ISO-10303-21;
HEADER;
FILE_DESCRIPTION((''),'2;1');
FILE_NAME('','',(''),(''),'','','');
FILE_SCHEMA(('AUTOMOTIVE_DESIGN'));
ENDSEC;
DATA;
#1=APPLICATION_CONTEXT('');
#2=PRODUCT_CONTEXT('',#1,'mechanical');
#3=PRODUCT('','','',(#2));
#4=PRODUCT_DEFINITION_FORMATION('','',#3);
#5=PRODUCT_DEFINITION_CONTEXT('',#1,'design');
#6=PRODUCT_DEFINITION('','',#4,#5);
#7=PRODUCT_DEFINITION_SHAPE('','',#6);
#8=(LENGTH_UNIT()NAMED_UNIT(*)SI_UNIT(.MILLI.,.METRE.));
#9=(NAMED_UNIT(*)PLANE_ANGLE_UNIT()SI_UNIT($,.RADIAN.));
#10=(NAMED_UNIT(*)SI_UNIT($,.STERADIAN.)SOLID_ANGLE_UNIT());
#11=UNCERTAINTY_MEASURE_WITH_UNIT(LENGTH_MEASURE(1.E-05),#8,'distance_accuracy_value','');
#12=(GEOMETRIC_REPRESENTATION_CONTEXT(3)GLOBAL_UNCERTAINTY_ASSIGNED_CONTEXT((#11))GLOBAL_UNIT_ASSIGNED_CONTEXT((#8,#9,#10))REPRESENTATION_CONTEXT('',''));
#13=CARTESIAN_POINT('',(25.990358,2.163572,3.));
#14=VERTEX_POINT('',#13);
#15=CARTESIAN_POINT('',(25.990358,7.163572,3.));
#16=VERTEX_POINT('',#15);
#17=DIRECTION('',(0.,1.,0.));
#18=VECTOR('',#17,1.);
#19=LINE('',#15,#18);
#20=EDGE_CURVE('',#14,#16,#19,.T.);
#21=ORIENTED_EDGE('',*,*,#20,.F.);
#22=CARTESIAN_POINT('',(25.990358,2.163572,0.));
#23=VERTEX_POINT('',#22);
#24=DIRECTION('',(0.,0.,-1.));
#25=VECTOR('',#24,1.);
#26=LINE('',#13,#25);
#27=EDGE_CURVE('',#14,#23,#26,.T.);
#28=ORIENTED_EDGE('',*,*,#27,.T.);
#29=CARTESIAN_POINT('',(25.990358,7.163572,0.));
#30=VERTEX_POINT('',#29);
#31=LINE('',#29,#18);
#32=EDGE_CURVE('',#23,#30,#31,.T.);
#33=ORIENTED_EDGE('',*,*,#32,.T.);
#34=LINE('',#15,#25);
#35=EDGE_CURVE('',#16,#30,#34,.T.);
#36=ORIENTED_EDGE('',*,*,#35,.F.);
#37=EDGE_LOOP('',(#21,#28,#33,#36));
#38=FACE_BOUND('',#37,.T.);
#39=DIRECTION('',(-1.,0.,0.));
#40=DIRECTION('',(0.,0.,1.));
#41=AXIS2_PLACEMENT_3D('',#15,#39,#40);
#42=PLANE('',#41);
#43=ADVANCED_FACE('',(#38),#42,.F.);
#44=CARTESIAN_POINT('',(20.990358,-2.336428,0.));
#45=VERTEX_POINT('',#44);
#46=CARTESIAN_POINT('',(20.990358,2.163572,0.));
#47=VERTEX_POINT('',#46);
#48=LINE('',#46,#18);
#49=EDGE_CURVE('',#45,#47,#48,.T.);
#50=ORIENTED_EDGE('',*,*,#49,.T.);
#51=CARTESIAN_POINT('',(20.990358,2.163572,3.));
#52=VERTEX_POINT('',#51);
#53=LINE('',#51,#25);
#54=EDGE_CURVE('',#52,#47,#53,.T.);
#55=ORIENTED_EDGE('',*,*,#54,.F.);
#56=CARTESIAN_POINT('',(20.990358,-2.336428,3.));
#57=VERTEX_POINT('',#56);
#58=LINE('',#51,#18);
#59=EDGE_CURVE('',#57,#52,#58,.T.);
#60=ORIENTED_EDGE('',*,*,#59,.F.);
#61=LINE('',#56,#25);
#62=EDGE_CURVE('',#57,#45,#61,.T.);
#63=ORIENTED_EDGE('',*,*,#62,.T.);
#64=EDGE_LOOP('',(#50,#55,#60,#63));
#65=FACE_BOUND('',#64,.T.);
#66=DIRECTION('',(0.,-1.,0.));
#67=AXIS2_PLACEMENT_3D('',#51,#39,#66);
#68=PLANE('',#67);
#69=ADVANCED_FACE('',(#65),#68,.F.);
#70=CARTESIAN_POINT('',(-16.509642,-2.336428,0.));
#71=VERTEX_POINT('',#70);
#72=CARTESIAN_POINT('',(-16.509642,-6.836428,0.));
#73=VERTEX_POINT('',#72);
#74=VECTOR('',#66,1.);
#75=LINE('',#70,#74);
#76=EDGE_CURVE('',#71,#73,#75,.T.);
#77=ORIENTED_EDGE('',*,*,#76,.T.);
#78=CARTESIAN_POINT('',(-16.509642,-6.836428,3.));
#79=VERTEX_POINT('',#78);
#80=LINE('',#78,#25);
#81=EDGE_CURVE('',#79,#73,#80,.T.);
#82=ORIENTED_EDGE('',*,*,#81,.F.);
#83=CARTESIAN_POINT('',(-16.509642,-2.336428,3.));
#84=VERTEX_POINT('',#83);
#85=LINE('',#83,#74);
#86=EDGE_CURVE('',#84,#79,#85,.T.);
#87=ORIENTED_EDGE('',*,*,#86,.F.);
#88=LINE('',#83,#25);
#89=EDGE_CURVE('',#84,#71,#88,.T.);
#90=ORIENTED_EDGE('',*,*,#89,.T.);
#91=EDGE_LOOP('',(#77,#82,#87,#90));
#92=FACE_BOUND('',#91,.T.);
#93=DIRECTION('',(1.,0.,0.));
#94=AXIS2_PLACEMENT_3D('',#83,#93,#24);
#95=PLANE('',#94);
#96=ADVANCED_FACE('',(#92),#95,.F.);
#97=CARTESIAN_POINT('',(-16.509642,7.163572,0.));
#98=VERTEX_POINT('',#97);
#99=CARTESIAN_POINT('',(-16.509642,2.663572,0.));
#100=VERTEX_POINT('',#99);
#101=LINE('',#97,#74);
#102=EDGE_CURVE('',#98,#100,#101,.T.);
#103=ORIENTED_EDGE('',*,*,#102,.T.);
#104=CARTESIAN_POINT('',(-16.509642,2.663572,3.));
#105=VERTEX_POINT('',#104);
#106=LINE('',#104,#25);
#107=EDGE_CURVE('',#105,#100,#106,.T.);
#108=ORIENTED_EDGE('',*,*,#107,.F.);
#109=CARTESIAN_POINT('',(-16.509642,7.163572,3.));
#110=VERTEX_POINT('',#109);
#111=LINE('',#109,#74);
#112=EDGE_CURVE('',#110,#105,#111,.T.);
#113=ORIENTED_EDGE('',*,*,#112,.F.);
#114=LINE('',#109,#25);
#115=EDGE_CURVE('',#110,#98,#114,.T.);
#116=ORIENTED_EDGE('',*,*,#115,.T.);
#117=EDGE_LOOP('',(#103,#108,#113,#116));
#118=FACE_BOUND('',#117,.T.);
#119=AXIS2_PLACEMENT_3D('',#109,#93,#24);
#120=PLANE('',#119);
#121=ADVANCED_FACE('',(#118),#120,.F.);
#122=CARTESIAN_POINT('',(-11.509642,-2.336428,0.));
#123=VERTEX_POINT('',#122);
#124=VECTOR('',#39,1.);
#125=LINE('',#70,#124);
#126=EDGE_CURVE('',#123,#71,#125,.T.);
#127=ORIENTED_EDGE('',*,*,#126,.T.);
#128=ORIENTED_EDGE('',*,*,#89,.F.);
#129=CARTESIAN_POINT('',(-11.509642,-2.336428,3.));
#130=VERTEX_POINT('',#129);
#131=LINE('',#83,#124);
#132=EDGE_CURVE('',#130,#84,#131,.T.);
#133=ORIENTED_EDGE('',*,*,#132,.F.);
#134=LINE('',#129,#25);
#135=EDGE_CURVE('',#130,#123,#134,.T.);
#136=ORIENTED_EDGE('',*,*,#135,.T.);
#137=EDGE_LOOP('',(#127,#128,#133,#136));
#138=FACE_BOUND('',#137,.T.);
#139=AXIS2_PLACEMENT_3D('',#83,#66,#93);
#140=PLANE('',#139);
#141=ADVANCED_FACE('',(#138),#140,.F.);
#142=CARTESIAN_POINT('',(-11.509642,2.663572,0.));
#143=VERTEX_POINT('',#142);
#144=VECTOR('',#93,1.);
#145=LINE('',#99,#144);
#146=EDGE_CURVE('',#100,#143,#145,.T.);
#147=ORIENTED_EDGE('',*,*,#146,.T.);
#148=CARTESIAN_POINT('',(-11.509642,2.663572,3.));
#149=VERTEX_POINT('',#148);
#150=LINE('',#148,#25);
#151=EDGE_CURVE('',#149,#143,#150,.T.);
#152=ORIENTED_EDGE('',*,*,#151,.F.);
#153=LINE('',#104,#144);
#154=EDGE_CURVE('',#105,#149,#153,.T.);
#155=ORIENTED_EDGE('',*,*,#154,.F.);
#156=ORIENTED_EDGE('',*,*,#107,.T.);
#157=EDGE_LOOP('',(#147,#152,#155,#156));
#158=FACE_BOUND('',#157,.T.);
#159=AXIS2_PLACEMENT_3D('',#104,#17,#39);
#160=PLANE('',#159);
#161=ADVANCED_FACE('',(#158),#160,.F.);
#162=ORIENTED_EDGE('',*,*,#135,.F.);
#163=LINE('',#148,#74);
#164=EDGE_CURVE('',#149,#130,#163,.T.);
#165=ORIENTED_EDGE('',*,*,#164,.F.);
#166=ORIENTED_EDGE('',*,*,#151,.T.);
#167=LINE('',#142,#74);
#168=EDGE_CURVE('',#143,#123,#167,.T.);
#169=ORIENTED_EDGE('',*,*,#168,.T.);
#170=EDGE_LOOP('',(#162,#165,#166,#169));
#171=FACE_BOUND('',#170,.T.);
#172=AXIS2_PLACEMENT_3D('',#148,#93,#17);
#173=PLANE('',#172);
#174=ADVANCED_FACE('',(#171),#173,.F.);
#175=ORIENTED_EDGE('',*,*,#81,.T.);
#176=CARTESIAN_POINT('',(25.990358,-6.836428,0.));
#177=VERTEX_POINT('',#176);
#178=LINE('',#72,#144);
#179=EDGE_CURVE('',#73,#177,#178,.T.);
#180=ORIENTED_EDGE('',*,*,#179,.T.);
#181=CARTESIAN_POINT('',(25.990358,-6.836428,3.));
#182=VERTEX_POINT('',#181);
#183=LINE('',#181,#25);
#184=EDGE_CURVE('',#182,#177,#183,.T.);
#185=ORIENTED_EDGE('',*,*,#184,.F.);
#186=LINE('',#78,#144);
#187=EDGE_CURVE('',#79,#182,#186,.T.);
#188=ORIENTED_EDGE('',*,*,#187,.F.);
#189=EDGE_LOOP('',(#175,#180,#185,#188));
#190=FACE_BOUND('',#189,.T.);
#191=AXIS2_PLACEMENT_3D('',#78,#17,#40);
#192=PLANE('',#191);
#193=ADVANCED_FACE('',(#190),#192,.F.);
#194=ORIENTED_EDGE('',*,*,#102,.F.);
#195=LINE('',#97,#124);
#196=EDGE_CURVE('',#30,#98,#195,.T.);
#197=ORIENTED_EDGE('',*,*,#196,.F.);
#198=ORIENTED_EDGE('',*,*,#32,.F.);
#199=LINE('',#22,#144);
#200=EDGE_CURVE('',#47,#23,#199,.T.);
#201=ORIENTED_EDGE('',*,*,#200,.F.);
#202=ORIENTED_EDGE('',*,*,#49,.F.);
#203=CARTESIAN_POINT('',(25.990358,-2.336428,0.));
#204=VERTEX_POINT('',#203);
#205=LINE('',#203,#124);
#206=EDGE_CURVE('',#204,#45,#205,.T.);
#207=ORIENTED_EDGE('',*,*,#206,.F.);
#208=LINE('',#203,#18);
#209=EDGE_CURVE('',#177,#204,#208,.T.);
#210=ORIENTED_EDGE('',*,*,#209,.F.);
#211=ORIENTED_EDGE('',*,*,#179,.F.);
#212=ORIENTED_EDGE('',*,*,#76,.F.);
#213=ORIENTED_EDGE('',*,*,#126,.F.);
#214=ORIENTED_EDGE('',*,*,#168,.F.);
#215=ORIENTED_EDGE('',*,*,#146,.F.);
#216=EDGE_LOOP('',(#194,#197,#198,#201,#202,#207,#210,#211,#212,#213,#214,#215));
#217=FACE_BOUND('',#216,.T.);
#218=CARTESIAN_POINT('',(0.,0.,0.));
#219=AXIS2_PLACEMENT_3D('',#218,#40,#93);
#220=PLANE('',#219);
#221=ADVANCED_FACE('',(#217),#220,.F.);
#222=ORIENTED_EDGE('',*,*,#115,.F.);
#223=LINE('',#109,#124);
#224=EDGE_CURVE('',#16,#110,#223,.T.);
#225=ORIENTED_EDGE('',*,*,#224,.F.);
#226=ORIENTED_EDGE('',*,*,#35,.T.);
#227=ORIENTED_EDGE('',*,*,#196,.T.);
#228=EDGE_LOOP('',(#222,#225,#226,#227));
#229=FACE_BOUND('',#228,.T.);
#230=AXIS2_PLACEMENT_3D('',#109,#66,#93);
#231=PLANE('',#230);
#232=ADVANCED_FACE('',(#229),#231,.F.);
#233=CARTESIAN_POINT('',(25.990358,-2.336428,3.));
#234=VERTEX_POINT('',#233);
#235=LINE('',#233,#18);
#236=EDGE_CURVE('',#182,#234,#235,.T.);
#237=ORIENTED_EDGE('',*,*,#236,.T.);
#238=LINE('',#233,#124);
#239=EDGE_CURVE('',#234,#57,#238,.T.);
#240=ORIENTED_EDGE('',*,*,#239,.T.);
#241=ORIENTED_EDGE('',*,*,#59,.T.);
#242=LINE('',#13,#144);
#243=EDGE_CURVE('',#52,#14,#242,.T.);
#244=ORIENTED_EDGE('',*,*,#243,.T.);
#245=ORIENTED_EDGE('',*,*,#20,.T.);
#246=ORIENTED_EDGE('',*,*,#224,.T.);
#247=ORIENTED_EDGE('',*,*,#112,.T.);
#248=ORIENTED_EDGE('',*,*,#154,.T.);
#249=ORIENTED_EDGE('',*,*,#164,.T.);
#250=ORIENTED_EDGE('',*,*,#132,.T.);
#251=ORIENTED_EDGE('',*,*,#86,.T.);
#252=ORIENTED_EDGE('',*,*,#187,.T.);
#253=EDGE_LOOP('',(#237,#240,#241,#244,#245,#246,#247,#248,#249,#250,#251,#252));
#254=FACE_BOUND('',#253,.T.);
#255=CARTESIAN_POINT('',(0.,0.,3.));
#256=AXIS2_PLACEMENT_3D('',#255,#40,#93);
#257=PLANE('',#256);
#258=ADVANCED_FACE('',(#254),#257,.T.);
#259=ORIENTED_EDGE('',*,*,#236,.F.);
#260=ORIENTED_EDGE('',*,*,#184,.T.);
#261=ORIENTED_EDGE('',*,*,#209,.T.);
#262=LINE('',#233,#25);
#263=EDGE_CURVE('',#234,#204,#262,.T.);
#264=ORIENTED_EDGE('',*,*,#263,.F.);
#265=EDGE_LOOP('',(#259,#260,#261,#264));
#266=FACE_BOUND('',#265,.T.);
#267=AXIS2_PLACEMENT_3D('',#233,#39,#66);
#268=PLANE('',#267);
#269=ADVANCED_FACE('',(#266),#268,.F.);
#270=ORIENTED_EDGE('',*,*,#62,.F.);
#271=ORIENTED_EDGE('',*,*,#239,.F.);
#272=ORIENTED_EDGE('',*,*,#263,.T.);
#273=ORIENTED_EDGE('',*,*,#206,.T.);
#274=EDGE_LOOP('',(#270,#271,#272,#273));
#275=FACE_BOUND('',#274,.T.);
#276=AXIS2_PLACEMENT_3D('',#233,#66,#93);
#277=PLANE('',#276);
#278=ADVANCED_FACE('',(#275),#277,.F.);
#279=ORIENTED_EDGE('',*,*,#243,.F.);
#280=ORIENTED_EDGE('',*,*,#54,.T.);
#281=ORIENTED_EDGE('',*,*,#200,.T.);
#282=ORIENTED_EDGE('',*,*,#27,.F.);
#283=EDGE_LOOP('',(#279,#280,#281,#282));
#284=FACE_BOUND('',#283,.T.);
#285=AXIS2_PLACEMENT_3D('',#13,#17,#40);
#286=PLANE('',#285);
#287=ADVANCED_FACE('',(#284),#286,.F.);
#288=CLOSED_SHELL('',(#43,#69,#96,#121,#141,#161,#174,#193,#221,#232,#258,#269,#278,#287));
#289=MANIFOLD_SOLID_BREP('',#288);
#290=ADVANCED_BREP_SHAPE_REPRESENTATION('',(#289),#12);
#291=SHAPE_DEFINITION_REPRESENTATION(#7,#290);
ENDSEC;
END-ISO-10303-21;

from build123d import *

# Parameters (mm, degrees)
BOSS_EXTRU_1_DEPTH = 3


with BuildPart() as part:
    # Esquisse1 → Boss.-Extru.1 (new body)
    with BuildSketch(Plane.XY):
        Polygon((-16.509641766, 7.163572353), (25.990358234, 7.163572353), (25.990358234, 2.163572353), (20.990358234, 2.163572353), (20.990358234, -2.336427647), (25.990358234, -2.336427647), (25.990358234, -6.836427647), (-16.509641766, -6.836427647), (-16.509641766, -2.336427647), (-11.509641766, -2.336427647), (-11.509641766, 2.663572353), (-16.509641766, 2.663572353), align=None)
    extrude(amount=BOSS_EXTRU_1_DEPTH)


solid = part.part
